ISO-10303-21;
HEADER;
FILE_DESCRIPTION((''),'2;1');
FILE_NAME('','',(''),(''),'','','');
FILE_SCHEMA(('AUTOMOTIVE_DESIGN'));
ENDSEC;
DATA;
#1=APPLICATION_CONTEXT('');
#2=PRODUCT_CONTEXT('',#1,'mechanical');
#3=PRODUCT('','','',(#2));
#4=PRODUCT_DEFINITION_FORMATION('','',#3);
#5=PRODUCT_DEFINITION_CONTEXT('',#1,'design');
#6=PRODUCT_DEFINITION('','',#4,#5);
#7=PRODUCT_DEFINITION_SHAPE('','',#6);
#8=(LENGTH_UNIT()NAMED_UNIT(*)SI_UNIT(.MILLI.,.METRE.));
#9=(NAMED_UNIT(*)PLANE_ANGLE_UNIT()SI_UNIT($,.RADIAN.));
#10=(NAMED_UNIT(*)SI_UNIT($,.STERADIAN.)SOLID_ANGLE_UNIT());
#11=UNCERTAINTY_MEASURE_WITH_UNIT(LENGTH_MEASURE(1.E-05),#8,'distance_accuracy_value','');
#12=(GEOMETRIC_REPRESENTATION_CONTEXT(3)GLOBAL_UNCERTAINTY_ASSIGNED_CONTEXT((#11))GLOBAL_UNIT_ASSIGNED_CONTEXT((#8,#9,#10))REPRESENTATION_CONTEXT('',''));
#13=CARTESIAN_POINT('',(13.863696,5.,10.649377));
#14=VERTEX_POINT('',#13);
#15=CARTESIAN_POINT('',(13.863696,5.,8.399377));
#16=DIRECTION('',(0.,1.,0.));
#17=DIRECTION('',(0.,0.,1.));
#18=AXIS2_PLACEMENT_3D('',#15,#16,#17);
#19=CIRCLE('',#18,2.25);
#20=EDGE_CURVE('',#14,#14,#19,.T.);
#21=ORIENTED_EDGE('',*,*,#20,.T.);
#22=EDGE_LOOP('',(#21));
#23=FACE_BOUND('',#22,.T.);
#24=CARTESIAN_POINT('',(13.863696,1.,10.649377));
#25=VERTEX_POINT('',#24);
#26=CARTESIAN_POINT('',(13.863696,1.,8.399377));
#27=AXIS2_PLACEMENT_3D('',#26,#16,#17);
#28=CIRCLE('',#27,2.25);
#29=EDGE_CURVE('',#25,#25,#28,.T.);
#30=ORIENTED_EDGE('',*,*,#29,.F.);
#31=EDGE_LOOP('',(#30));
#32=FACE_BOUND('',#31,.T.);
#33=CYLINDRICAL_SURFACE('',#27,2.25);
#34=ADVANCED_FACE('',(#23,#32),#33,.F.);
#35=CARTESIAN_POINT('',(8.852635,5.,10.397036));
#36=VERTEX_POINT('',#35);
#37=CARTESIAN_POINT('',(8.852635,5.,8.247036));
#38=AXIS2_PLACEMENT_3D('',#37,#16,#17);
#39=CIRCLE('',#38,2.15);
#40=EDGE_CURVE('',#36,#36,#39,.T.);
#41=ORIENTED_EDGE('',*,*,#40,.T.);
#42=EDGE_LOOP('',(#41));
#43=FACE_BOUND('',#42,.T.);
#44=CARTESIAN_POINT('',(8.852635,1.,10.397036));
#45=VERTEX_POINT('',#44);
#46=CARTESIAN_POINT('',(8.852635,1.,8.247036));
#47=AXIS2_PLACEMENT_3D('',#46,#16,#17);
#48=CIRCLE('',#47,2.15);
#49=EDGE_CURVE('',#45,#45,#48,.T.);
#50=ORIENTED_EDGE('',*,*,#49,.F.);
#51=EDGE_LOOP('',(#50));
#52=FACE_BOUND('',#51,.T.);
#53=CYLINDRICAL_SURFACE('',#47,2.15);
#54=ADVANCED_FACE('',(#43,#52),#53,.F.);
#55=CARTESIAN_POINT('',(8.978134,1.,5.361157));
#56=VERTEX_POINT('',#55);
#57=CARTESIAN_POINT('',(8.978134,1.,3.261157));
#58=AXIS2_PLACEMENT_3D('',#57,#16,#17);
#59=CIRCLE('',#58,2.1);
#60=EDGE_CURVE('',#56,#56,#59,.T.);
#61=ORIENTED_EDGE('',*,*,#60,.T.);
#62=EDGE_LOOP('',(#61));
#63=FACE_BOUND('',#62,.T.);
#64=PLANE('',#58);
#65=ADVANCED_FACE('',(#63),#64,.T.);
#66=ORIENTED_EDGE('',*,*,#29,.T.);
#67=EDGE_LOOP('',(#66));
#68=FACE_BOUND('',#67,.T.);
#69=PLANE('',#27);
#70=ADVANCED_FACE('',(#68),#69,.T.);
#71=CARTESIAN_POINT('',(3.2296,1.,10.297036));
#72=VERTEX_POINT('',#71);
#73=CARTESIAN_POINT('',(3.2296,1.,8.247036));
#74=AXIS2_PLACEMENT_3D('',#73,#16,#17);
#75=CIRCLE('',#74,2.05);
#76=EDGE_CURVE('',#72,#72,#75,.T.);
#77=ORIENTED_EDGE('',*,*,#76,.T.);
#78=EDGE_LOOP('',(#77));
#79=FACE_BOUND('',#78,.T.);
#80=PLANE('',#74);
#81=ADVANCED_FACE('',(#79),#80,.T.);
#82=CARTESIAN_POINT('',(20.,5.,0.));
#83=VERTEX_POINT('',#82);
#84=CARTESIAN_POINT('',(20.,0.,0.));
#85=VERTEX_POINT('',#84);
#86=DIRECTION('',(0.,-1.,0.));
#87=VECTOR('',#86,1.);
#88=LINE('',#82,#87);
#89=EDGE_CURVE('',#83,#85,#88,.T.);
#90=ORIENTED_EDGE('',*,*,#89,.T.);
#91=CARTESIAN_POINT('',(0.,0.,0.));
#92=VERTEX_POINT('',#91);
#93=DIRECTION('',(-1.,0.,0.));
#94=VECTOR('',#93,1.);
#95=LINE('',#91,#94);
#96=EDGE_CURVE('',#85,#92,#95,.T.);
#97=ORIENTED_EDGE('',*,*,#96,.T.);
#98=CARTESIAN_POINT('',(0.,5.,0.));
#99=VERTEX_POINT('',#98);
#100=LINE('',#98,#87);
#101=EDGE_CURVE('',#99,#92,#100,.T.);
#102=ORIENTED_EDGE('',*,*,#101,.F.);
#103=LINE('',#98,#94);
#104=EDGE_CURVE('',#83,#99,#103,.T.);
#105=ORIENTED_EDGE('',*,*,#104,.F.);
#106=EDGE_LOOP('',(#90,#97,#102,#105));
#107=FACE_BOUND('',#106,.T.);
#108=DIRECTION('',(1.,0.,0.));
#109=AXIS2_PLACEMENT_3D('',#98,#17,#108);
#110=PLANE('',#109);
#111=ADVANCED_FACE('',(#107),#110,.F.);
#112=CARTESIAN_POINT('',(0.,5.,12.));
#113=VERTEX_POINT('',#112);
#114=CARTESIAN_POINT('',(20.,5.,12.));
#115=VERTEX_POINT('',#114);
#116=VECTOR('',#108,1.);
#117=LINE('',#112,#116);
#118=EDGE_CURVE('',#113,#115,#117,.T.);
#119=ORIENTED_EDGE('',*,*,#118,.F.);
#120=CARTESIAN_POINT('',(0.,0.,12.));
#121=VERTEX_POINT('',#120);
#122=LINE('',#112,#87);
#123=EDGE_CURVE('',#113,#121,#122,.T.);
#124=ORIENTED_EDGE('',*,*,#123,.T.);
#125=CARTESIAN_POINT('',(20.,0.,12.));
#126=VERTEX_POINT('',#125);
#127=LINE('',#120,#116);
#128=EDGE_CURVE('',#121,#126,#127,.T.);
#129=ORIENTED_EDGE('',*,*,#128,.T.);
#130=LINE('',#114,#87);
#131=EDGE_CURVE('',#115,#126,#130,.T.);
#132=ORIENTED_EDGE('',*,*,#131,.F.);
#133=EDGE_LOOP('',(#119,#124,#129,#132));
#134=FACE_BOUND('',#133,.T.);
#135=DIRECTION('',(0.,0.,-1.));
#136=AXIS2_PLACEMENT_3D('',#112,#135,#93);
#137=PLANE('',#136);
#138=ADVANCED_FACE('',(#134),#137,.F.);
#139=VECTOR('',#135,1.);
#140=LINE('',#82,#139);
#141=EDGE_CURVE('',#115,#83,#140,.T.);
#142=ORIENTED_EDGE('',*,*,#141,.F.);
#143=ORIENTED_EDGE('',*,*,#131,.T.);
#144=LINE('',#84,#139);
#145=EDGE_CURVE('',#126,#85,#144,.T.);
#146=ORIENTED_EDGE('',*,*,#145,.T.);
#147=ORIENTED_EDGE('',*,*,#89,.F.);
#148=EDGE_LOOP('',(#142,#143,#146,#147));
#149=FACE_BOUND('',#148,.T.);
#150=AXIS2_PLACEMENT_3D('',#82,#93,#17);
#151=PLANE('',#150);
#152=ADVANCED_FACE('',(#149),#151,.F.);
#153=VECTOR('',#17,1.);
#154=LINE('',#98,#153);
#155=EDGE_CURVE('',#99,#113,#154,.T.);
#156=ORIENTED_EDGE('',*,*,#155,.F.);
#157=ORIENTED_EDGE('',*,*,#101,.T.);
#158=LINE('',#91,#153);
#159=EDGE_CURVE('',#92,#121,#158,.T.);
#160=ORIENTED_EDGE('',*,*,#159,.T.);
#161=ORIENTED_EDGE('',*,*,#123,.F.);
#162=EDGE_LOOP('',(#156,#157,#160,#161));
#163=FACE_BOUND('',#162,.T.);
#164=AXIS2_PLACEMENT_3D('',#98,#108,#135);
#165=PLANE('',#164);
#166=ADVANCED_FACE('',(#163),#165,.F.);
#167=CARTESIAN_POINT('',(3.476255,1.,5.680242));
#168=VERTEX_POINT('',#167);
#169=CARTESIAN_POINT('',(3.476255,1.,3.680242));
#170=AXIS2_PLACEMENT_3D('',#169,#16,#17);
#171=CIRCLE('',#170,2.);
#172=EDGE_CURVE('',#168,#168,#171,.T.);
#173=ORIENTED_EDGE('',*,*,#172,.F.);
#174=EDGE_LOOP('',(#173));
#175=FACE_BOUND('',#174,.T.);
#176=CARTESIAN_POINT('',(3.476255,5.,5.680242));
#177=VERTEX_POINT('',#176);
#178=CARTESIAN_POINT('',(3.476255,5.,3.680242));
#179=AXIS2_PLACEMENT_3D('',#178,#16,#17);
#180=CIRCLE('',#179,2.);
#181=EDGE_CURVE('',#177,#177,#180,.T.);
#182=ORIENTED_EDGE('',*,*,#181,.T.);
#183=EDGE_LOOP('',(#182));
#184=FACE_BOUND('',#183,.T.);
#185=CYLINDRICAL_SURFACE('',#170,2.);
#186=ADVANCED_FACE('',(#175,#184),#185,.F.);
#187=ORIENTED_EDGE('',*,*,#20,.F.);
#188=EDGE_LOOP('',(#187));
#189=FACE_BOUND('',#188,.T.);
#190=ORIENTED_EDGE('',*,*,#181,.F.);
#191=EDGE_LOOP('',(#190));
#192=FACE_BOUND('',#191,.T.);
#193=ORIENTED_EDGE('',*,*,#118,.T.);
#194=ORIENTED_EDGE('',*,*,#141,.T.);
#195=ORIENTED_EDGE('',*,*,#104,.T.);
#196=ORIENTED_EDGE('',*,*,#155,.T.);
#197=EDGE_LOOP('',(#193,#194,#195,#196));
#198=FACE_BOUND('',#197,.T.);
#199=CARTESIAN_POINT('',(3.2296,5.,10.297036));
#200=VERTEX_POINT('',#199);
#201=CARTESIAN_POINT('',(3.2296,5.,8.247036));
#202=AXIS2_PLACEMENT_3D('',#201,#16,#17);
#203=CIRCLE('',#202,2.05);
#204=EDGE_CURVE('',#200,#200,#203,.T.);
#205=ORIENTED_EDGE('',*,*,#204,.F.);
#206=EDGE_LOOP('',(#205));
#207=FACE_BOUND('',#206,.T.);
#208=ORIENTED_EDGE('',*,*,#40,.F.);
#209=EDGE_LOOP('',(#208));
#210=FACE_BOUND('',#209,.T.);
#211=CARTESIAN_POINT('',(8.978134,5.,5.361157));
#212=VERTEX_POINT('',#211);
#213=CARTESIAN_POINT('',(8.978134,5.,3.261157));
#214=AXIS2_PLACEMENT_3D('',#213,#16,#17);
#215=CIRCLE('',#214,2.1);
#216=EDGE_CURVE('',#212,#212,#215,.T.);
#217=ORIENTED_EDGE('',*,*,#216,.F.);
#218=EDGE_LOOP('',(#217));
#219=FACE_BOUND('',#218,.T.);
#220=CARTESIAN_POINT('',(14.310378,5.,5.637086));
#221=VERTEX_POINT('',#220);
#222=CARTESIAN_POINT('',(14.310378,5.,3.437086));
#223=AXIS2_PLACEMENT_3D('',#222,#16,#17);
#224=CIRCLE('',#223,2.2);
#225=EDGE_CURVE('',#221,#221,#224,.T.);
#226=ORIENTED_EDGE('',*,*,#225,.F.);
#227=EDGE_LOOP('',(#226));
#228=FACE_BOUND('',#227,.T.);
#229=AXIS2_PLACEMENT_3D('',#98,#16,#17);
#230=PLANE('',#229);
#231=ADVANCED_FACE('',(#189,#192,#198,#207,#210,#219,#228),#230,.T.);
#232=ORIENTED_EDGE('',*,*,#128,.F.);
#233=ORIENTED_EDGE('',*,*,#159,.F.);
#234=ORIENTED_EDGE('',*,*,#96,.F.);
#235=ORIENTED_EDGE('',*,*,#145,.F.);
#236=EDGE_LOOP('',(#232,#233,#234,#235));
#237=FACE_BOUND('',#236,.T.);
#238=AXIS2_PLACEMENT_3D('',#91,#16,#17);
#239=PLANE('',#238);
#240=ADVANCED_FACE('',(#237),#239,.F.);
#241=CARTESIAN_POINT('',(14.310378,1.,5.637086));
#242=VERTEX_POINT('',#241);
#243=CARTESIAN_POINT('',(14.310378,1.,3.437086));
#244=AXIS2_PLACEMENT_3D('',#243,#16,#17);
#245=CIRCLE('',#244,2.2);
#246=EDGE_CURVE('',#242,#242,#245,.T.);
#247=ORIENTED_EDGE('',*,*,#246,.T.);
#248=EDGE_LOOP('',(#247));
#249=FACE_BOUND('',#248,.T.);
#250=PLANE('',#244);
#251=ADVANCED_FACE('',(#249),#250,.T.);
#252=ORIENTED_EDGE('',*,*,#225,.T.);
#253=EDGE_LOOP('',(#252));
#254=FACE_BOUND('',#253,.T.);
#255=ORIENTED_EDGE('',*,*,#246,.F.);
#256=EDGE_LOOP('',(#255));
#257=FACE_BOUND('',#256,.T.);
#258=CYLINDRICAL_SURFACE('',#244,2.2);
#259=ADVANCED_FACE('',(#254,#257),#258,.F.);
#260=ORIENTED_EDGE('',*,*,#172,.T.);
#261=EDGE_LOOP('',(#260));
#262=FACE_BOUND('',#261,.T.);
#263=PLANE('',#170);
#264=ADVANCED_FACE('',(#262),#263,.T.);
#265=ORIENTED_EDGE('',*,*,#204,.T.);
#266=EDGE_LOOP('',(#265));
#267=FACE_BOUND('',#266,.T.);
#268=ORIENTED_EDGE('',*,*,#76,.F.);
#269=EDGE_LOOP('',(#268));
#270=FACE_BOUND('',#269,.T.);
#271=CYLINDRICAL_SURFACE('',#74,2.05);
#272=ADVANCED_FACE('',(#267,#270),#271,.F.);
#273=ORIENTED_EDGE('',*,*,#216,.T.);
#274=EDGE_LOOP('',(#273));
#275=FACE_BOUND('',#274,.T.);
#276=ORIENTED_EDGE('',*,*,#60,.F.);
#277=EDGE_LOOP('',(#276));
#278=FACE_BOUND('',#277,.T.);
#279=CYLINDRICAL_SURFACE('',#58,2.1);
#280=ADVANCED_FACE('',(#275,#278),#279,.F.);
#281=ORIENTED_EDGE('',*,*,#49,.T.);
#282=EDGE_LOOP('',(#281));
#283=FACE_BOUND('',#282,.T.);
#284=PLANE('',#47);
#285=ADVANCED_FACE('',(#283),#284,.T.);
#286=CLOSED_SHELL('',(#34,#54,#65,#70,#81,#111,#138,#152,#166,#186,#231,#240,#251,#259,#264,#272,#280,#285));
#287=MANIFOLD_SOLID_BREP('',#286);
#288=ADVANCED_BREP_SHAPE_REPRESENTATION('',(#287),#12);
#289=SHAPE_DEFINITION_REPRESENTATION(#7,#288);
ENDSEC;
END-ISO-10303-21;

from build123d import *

# Parameters (mm, degrees)
SKETCH_1_W          = 20
SKETCH_1_H          = 12
EXTRUDE_1_DEPTH     = 5
SKETCH_2_R          = 2
SKETCH_2_R_2        = 2.05
SKETCH_2_R_3        = 2.1
SKETCH_2_R_4        = 2.15
SKETCH_2_R_5        = 2.2
SKETCH_2_R_6        = 2.25
CUT_EXTRUDE_1_DEPTH = 4


with BuildPart() as part:
    # 草图1 → 凸台-拉伸1 (new body)
    with BuildSketch(Plane(origin=(0, 0, 0), x_dir=(1, 0, 0), z_dir=(0, 1, 0))):
        with Locations((10, -6)):
            Rectangle(SKETCH_1_W, SKETCH_1_H)
    extrude(amount=EXTRUDE_1_DEPTH)

    # 草图2 → 切除-拉伸1 (cut)
    with BuildSketch(Plane(origin=(0, 5, 0), x_dir=(1, 0, 0), z_dir=(0, 1, 0))):
        with Locations(Location((3.476254808, -3.680242109, 0), (0, 0, 270))):
            Circle(SKETCH_2_R)
        with Locations(Location((3.229599534, -8.247035795, 0), (0, 0, 270))):
            Circle(SKETCH_2_R_2)
        with Locations(Location((8.978134133, -3.261157426, 0), (0, 0, 270))):
            Circle(SKETCH_2_R_3)
        with Locations(Location((8.852635447, -8.247035795, 0), (0, 0, 270))):
            Circle(SKETCH_2_R_4)
        with Locations(Location((14.310377601, -3.437086278, 0), (0, 0, 270))):
            Circle(SKETCH_2_R_5)
        with Locations(Location((13.863696284, -8.399377426, 0), (0, 0, 270))):
            Circle(SKETCH_2_R_6)
    extrude(amount=-CUT_EXTRUDE_1_DEPTH, mode=Mode.SUBTRACT)


solid = part.part
